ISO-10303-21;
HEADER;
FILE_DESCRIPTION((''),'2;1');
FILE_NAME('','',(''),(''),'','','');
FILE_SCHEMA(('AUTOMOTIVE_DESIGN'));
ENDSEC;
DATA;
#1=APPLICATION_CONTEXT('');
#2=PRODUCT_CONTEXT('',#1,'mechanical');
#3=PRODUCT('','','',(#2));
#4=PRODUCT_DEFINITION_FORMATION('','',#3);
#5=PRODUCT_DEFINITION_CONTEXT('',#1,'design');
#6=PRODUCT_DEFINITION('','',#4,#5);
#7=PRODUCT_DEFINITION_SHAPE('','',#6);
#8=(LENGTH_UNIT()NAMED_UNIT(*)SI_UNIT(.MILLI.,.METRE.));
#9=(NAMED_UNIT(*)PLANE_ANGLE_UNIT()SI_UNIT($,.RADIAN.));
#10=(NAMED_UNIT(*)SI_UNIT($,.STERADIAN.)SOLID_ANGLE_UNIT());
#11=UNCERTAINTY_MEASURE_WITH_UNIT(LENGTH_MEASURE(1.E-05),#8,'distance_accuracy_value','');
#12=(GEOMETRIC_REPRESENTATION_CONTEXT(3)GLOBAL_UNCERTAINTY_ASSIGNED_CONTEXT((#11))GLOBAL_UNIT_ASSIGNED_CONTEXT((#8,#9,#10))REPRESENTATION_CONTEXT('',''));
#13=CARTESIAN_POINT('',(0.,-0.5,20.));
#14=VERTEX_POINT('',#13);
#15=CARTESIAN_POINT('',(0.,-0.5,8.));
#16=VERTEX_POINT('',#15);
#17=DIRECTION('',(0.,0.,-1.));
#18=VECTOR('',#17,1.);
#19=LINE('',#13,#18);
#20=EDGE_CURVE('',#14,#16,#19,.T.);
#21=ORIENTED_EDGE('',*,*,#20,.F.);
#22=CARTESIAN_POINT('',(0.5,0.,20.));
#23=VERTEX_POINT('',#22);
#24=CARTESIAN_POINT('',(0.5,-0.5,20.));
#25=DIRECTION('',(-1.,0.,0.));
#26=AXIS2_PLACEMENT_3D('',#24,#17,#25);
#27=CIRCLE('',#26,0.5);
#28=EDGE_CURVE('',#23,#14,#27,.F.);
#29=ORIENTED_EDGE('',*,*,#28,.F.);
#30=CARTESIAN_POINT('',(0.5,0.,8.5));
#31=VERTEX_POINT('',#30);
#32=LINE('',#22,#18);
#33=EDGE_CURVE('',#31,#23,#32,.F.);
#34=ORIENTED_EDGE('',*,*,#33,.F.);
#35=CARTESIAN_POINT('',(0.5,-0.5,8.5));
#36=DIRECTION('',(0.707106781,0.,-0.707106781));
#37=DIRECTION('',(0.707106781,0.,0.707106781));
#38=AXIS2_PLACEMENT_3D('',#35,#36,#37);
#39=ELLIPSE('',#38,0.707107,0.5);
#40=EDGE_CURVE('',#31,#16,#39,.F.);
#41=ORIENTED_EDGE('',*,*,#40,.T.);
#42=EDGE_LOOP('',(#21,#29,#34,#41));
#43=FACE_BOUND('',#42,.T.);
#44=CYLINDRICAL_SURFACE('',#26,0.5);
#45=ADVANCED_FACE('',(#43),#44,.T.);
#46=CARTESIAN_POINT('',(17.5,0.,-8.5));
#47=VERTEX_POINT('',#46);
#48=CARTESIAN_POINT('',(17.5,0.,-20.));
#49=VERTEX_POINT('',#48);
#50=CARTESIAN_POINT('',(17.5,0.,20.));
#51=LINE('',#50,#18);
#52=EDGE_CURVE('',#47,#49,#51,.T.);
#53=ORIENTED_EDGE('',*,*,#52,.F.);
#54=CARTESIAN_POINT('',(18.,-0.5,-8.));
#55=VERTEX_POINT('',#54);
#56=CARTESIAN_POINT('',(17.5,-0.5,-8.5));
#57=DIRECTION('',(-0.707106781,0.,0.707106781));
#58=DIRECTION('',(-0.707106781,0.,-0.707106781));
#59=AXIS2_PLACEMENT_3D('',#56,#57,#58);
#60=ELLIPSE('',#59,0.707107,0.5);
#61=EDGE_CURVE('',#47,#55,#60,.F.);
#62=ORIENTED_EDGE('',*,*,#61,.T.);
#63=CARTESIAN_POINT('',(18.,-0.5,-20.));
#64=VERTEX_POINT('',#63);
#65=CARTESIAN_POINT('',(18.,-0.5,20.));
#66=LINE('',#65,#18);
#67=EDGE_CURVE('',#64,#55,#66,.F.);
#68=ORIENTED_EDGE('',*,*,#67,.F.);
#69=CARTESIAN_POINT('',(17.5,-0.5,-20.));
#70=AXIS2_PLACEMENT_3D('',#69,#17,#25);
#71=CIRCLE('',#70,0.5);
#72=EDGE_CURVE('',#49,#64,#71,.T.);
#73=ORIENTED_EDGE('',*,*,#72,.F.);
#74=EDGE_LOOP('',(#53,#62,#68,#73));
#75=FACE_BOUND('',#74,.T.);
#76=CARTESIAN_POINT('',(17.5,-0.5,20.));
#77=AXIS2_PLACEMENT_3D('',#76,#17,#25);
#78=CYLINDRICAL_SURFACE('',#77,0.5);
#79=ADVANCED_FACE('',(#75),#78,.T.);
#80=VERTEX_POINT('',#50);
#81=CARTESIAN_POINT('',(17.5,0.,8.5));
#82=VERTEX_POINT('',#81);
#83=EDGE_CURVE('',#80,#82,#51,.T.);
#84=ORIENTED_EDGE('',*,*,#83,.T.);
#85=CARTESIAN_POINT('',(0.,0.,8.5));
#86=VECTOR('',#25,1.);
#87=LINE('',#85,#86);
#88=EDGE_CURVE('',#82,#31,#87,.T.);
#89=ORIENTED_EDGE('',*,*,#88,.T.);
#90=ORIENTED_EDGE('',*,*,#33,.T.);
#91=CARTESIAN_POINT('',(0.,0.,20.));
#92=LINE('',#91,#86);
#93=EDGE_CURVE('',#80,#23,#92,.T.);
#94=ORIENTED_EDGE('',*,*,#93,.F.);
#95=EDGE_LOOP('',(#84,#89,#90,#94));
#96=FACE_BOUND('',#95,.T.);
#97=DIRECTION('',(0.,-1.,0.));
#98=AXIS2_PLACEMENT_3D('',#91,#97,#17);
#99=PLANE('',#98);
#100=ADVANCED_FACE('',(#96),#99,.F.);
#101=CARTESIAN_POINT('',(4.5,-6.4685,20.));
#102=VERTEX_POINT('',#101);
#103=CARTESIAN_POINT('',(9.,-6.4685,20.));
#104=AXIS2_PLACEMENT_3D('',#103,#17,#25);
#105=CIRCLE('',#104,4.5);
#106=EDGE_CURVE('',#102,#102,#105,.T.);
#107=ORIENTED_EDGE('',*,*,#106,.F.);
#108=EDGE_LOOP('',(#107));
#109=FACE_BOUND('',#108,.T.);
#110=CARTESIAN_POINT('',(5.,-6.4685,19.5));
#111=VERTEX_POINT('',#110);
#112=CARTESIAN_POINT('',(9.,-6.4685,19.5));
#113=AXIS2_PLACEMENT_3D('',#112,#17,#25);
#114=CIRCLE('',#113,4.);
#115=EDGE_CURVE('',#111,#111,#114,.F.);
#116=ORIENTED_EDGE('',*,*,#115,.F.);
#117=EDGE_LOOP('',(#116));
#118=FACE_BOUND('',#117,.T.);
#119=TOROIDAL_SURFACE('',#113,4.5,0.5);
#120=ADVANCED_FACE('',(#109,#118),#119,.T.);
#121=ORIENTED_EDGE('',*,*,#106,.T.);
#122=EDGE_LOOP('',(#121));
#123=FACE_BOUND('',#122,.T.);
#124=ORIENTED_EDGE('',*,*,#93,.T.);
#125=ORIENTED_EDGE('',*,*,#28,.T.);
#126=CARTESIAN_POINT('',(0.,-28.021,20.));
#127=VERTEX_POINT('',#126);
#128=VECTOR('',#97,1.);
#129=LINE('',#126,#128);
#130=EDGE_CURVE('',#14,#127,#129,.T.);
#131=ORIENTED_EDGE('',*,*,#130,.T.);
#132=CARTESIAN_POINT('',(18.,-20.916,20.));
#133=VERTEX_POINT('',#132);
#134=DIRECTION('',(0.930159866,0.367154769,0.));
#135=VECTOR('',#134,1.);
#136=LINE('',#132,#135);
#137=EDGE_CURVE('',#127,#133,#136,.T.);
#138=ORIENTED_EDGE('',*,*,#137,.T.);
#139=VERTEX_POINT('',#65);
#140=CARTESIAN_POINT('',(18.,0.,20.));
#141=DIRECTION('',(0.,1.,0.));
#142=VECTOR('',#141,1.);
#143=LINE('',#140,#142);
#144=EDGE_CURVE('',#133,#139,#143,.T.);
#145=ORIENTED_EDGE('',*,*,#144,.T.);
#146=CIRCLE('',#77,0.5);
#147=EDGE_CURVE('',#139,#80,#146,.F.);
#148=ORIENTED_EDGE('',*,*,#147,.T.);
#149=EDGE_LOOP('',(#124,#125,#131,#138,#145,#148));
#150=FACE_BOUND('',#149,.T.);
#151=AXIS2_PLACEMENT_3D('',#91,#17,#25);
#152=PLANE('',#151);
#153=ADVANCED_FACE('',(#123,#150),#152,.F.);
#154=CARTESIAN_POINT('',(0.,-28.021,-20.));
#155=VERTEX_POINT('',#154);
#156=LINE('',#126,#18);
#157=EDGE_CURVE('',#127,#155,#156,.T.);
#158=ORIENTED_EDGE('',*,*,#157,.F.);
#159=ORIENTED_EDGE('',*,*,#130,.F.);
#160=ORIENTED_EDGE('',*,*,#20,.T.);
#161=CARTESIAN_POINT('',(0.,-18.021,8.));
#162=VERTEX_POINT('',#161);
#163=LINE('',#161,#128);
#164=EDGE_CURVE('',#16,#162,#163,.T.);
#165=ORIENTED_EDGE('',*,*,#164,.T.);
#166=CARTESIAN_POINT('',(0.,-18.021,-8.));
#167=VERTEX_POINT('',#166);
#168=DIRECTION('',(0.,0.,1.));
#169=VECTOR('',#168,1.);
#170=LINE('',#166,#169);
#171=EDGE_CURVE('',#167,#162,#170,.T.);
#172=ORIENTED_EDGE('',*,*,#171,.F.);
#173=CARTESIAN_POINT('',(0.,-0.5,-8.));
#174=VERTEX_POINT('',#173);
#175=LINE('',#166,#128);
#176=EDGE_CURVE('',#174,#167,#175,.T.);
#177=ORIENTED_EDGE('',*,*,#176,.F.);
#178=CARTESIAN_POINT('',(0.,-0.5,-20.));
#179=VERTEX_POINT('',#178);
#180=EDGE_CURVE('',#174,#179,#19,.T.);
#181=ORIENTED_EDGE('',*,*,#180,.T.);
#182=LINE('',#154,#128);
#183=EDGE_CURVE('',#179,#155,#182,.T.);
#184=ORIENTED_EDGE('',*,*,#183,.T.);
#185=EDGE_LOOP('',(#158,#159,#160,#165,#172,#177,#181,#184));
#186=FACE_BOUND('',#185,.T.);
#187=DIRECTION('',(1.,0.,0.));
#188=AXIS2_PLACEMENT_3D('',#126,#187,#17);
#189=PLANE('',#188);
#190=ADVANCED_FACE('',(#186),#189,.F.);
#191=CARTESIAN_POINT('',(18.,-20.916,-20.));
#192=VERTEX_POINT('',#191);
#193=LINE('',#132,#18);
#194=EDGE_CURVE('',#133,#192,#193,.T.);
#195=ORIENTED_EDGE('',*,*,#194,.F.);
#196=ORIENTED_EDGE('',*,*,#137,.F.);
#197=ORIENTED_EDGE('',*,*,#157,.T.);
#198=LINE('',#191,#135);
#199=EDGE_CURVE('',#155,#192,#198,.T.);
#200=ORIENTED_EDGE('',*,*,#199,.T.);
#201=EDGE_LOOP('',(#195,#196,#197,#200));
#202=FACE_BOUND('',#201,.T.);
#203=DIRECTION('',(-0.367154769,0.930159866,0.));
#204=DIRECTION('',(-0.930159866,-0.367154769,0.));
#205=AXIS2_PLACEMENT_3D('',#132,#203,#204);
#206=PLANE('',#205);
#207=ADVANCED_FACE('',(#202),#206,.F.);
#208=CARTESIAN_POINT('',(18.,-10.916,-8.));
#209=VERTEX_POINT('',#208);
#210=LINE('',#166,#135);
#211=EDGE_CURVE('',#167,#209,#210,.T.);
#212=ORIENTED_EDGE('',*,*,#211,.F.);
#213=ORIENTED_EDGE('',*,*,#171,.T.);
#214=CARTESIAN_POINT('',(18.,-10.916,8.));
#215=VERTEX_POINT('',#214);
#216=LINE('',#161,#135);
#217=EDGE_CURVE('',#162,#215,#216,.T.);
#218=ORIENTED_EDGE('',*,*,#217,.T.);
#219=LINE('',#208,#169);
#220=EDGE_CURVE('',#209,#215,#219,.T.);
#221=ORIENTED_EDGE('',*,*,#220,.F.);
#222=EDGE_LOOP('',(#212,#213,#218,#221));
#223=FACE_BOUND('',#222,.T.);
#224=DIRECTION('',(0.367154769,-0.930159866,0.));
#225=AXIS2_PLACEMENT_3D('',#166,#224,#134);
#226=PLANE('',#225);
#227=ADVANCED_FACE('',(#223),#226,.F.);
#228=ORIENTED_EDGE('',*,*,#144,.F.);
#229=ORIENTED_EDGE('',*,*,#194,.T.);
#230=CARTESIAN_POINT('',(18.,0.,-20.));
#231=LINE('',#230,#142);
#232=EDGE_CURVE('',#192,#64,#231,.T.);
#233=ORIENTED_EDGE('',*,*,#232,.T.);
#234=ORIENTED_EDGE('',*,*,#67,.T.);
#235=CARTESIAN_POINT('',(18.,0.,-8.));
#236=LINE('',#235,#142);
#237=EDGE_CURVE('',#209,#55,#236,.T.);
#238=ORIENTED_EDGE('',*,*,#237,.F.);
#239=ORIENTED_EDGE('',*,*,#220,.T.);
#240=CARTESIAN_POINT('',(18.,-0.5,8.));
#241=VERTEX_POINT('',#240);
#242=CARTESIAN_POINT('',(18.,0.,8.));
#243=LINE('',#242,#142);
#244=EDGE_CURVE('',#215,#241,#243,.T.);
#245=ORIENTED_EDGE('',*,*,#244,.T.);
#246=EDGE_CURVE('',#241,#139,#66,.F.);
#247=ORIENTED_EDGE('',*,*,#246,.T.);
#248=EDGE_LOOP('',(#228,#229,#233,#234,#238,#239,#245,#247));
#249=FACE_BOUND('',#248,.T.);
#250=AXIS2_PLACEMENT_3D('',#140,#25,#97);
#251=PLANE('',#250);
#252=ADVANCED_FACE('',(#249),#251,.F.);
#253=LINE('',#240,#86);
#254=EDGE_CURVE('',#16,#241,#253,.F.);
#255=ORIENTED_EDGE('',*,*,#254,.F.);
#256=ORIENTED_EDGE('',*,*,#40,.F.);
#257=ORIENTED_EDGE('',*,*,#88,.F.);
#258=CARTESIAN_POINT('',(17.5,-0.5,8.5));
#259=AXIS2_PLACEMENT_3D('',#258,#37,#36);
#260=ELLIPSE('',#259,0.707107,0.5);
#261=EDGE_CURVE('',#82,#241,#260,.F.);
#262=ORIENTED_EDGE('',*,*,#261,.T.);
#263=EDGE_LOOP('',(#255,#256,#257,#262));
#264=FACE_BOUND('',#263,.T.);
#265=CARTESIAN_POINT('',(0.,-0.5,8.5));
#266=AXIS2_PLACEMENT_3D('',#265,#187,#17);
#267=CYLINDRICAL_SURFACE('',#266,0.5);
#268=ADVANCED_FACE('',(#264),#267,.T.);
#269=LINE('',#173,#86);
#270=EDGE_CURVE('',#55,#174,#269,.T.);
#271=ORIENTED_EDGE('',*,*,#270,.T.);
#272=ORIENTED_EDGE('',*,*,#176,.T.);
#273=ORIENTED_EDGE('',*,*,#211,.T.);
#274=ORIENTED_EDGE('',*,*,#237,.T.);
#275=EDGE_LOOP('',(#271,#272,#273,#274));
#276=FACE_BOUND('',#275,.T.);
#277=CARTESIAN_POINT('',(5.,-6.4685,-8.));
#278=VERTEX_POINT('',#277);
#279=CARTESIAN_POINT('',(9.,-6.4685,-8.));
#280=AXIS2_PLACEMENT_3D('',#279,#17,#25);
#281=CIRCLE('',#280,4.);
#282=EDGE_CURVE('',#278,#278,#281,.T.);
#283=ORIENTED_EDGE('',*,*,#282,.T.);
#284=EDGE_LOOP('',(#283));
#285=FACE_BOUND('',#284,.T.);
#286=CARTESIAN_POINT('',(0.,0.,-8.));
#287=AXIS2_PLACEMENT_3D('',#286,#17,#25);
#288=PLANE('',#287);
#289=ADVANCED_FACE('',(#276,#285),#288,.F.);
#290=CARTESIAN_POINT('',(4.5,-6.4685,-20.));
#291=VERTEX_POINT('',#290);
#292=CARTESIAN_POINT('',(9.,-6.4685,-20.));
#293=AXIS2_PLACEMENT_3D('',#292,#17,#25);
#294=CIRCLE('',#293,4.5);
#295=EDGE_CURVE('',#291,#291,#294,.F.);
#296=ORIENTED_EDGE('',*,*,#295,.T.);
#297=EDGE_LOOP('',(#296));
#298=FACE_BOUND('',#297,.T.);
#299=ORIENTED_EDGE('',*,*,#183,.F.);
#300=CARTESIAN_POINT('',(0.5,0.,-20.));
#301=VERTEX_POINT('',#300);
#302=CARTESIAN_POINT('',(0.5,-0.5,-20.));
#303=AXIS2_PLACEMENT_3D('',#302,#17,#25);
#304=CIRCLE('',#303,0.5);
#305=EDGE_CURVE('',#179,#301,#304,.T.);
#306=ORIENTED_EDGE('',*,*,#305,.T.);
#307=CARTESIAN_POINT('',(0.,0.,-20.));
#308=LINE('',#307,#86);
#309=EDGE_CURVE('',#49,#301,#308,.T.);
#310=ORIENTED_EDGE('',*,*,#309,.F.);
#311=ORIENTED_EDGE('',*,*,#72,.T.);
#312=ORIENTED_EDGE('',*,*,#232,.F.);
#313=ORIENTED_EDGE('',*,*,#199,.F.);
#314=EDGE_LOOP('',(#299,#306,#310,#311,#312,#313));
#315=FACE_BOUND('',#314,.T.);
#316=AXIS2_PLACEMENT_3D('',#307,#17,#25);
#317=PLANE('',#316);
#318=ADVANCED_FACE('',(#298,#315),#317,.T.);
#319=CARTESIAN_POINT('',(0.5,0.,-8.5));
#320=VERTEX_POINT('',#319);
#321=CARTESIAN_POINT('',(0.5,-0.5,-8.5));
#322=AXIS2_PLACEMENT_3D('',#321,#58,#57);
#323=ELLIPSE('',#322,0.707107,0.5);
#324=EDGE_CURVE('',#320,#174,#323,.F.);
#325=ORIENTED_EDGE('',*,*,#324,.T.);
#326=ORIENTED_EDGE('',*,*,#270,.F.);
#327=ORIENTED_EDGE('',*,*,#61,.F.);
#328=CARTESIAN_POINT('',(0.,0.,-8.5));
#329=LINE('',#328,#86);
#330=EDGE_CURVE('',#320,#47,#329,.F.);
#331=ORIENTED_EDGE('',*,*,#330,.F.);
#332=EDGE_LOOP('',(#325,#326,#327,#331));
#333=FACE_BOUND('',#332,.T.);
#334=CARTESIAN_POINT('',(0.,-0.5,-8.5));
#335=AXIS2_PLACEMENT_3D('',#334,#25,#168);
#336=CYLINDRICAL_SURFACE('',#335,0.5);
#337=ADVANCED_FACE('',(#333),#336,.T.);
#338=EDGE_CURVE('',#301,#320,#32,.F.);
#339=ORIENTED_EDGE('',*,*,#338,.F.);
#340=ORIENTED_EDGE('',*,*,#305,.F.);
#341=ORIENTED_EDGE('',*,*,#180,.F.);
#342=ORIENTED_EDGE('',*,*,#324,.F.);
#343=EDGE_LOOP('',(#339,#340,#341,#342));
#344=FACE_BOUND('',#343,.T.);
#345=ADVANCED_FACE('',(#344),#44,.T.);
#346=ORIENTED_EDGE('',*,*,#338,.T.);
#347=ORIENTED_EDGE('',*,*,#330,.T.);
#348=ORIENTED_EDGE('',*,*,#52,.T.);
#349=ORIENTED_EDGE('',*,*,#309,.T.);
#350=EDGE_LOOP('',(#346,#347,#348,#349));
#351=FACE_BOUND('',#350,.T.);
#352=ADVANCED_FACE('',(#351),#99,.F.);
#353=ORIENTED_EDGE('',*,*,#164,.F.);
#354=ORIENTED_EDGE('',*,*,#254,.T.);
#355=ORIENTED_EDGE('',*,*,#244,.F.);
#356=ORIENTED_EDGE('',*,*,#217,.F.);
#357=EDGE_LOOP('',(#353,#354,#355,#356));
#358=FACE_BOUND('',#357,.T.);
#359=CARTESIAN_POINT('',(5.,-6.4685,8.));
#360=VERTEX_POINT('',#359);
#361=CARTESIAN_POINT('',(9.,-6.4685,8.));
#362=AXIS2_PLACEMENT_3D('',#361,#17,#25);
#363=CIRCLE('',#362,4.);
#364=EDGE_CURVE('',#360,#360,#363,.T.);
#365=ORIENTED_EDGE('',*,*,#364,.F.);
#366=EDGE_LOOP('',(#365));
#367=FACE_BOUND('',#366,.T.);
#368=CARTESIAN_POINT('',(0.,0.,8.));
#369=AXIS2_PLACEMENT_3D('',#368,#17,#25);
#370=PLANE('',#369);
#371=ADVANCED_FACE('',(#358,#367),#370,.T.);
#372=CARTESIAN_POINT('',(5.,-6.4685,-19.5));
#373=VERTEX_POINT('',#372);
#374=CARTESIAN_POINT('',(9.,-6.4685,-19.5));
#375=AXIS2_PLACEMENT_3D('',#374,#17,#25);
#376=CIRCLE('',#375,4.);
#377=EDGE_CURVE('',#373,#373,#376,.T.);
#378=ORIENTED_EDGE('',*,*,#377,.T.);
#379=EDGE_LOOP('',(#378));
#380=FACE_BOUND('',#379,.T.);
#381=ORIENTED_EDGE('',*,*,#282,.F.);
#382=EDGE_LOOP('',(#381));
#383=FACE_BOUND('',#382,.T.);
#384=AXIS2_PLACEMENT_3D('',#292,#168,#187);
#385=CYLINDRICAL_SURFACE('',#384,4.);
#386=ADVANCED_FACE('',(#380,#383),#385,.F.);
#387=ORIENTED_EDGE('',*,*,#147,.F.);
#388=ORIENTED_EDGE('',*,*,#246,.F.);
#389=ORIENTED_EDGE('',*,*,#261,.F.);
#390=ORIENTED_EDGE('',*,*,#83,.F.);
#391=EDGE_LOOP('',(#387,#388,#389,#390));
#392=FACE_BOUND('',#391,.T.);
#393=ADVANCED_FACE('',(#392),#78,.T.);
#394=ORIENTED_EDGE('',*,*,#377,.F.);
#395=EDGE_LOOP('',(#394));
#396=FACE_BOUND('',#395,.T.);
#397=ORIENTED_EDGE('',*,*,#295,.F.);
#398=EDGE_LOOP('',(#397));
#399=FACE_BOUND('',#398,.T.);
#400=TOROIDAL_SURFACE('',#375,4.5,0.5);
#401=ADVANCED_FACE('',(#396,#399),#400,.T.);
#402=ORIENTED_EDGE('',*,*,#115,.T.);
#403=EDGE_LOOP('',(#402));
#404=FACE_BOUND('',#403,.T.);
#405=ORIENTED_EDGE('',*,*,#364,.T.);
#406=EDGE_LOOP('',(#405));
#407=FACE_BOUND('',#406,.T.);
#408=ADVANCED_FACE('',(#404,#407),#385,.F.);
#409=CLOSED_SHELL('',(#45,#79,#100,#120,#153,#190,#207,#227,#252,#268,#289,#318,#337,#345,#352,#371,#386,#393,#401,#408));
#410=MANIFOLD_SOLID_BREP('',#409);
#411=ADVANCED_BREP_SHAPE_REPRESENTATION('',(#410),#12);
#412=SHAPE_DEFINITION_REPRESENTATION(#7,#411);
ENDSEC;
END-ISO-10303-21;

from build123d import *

# Parameters (mm, degrees)
EXTRUDE_1_DEPTH          = 20
CUT_EXTRUDE_1_DEPTH      = 8
FILLET_1_R               = 0.5
CUT_EXTRUDE_2_DEPTH      = 44.510647444
CUT_EXTRUDE_2_DEPTH_BACK = 44.510647444
SKETCH_5_R               = 4
FILLET_2_R               = 0.5


with BuildPart() as part:
    # 스케치1 → 보스-돌출1 (new, symmetric)
    with BuildSketch(Plane.XY):
        Polygon((0, 0), (18, 0), (18, -20.916), (0, -28.021), align=None)
    extrude(amount=EXTRUDE_1_DEPTH, both=True)

    # 스케치2 → 컷-돌출1 (cut, symmetric)
    with BuildSketch(Plane.XY):
        Polygon((0, -18.021), (18, -10.916), (18, 0), (0, 0), align=None)
    extrude(amount=CUT_EXTRUDE_1_DEPTH, both=True, mode=Mode.SUBTRACT)

    # 필렛1
    fillet_1_edges = [part.edges().sort_by_distance(p)[0] for p in [
        (0, 0, -14),
        (18, 0, -14),
        (9, 0, -8),
        (9, 0, 8),
        (0, 0, 14),
        (18, 0, 14),
    ]]
    fillet(fillet_1_edges, radius=FILLET_1_R)

    # 스케치5 → 컷-돌출2 (cut, two sides: drawn at the far end of the back side and taken through both)
    with BuildSketch(Plane.XY.offset(-8).offset(-CUT_EXTRUDE_2_DEPTH_BACK)):
        with Locations((9, -6.4685)):
            Circle(SKETCH_5_R)
    extrude(amount=CUT_EXTRUDE_2_DEPTH + CUT_EXTRUDE_2_DEPTH_BACK, mode=Mode.SUBTRACT)

    # 필렛2
    fillet_2_edges = [part.edges().sort_by_distance(p)[0] for p in [
        (5, -6.4685, -20),
        (5, -6.4685, 20),
    ]]
    fillet(fillet_2_edges, radius=FILLET_2_R)


solid = part.part
